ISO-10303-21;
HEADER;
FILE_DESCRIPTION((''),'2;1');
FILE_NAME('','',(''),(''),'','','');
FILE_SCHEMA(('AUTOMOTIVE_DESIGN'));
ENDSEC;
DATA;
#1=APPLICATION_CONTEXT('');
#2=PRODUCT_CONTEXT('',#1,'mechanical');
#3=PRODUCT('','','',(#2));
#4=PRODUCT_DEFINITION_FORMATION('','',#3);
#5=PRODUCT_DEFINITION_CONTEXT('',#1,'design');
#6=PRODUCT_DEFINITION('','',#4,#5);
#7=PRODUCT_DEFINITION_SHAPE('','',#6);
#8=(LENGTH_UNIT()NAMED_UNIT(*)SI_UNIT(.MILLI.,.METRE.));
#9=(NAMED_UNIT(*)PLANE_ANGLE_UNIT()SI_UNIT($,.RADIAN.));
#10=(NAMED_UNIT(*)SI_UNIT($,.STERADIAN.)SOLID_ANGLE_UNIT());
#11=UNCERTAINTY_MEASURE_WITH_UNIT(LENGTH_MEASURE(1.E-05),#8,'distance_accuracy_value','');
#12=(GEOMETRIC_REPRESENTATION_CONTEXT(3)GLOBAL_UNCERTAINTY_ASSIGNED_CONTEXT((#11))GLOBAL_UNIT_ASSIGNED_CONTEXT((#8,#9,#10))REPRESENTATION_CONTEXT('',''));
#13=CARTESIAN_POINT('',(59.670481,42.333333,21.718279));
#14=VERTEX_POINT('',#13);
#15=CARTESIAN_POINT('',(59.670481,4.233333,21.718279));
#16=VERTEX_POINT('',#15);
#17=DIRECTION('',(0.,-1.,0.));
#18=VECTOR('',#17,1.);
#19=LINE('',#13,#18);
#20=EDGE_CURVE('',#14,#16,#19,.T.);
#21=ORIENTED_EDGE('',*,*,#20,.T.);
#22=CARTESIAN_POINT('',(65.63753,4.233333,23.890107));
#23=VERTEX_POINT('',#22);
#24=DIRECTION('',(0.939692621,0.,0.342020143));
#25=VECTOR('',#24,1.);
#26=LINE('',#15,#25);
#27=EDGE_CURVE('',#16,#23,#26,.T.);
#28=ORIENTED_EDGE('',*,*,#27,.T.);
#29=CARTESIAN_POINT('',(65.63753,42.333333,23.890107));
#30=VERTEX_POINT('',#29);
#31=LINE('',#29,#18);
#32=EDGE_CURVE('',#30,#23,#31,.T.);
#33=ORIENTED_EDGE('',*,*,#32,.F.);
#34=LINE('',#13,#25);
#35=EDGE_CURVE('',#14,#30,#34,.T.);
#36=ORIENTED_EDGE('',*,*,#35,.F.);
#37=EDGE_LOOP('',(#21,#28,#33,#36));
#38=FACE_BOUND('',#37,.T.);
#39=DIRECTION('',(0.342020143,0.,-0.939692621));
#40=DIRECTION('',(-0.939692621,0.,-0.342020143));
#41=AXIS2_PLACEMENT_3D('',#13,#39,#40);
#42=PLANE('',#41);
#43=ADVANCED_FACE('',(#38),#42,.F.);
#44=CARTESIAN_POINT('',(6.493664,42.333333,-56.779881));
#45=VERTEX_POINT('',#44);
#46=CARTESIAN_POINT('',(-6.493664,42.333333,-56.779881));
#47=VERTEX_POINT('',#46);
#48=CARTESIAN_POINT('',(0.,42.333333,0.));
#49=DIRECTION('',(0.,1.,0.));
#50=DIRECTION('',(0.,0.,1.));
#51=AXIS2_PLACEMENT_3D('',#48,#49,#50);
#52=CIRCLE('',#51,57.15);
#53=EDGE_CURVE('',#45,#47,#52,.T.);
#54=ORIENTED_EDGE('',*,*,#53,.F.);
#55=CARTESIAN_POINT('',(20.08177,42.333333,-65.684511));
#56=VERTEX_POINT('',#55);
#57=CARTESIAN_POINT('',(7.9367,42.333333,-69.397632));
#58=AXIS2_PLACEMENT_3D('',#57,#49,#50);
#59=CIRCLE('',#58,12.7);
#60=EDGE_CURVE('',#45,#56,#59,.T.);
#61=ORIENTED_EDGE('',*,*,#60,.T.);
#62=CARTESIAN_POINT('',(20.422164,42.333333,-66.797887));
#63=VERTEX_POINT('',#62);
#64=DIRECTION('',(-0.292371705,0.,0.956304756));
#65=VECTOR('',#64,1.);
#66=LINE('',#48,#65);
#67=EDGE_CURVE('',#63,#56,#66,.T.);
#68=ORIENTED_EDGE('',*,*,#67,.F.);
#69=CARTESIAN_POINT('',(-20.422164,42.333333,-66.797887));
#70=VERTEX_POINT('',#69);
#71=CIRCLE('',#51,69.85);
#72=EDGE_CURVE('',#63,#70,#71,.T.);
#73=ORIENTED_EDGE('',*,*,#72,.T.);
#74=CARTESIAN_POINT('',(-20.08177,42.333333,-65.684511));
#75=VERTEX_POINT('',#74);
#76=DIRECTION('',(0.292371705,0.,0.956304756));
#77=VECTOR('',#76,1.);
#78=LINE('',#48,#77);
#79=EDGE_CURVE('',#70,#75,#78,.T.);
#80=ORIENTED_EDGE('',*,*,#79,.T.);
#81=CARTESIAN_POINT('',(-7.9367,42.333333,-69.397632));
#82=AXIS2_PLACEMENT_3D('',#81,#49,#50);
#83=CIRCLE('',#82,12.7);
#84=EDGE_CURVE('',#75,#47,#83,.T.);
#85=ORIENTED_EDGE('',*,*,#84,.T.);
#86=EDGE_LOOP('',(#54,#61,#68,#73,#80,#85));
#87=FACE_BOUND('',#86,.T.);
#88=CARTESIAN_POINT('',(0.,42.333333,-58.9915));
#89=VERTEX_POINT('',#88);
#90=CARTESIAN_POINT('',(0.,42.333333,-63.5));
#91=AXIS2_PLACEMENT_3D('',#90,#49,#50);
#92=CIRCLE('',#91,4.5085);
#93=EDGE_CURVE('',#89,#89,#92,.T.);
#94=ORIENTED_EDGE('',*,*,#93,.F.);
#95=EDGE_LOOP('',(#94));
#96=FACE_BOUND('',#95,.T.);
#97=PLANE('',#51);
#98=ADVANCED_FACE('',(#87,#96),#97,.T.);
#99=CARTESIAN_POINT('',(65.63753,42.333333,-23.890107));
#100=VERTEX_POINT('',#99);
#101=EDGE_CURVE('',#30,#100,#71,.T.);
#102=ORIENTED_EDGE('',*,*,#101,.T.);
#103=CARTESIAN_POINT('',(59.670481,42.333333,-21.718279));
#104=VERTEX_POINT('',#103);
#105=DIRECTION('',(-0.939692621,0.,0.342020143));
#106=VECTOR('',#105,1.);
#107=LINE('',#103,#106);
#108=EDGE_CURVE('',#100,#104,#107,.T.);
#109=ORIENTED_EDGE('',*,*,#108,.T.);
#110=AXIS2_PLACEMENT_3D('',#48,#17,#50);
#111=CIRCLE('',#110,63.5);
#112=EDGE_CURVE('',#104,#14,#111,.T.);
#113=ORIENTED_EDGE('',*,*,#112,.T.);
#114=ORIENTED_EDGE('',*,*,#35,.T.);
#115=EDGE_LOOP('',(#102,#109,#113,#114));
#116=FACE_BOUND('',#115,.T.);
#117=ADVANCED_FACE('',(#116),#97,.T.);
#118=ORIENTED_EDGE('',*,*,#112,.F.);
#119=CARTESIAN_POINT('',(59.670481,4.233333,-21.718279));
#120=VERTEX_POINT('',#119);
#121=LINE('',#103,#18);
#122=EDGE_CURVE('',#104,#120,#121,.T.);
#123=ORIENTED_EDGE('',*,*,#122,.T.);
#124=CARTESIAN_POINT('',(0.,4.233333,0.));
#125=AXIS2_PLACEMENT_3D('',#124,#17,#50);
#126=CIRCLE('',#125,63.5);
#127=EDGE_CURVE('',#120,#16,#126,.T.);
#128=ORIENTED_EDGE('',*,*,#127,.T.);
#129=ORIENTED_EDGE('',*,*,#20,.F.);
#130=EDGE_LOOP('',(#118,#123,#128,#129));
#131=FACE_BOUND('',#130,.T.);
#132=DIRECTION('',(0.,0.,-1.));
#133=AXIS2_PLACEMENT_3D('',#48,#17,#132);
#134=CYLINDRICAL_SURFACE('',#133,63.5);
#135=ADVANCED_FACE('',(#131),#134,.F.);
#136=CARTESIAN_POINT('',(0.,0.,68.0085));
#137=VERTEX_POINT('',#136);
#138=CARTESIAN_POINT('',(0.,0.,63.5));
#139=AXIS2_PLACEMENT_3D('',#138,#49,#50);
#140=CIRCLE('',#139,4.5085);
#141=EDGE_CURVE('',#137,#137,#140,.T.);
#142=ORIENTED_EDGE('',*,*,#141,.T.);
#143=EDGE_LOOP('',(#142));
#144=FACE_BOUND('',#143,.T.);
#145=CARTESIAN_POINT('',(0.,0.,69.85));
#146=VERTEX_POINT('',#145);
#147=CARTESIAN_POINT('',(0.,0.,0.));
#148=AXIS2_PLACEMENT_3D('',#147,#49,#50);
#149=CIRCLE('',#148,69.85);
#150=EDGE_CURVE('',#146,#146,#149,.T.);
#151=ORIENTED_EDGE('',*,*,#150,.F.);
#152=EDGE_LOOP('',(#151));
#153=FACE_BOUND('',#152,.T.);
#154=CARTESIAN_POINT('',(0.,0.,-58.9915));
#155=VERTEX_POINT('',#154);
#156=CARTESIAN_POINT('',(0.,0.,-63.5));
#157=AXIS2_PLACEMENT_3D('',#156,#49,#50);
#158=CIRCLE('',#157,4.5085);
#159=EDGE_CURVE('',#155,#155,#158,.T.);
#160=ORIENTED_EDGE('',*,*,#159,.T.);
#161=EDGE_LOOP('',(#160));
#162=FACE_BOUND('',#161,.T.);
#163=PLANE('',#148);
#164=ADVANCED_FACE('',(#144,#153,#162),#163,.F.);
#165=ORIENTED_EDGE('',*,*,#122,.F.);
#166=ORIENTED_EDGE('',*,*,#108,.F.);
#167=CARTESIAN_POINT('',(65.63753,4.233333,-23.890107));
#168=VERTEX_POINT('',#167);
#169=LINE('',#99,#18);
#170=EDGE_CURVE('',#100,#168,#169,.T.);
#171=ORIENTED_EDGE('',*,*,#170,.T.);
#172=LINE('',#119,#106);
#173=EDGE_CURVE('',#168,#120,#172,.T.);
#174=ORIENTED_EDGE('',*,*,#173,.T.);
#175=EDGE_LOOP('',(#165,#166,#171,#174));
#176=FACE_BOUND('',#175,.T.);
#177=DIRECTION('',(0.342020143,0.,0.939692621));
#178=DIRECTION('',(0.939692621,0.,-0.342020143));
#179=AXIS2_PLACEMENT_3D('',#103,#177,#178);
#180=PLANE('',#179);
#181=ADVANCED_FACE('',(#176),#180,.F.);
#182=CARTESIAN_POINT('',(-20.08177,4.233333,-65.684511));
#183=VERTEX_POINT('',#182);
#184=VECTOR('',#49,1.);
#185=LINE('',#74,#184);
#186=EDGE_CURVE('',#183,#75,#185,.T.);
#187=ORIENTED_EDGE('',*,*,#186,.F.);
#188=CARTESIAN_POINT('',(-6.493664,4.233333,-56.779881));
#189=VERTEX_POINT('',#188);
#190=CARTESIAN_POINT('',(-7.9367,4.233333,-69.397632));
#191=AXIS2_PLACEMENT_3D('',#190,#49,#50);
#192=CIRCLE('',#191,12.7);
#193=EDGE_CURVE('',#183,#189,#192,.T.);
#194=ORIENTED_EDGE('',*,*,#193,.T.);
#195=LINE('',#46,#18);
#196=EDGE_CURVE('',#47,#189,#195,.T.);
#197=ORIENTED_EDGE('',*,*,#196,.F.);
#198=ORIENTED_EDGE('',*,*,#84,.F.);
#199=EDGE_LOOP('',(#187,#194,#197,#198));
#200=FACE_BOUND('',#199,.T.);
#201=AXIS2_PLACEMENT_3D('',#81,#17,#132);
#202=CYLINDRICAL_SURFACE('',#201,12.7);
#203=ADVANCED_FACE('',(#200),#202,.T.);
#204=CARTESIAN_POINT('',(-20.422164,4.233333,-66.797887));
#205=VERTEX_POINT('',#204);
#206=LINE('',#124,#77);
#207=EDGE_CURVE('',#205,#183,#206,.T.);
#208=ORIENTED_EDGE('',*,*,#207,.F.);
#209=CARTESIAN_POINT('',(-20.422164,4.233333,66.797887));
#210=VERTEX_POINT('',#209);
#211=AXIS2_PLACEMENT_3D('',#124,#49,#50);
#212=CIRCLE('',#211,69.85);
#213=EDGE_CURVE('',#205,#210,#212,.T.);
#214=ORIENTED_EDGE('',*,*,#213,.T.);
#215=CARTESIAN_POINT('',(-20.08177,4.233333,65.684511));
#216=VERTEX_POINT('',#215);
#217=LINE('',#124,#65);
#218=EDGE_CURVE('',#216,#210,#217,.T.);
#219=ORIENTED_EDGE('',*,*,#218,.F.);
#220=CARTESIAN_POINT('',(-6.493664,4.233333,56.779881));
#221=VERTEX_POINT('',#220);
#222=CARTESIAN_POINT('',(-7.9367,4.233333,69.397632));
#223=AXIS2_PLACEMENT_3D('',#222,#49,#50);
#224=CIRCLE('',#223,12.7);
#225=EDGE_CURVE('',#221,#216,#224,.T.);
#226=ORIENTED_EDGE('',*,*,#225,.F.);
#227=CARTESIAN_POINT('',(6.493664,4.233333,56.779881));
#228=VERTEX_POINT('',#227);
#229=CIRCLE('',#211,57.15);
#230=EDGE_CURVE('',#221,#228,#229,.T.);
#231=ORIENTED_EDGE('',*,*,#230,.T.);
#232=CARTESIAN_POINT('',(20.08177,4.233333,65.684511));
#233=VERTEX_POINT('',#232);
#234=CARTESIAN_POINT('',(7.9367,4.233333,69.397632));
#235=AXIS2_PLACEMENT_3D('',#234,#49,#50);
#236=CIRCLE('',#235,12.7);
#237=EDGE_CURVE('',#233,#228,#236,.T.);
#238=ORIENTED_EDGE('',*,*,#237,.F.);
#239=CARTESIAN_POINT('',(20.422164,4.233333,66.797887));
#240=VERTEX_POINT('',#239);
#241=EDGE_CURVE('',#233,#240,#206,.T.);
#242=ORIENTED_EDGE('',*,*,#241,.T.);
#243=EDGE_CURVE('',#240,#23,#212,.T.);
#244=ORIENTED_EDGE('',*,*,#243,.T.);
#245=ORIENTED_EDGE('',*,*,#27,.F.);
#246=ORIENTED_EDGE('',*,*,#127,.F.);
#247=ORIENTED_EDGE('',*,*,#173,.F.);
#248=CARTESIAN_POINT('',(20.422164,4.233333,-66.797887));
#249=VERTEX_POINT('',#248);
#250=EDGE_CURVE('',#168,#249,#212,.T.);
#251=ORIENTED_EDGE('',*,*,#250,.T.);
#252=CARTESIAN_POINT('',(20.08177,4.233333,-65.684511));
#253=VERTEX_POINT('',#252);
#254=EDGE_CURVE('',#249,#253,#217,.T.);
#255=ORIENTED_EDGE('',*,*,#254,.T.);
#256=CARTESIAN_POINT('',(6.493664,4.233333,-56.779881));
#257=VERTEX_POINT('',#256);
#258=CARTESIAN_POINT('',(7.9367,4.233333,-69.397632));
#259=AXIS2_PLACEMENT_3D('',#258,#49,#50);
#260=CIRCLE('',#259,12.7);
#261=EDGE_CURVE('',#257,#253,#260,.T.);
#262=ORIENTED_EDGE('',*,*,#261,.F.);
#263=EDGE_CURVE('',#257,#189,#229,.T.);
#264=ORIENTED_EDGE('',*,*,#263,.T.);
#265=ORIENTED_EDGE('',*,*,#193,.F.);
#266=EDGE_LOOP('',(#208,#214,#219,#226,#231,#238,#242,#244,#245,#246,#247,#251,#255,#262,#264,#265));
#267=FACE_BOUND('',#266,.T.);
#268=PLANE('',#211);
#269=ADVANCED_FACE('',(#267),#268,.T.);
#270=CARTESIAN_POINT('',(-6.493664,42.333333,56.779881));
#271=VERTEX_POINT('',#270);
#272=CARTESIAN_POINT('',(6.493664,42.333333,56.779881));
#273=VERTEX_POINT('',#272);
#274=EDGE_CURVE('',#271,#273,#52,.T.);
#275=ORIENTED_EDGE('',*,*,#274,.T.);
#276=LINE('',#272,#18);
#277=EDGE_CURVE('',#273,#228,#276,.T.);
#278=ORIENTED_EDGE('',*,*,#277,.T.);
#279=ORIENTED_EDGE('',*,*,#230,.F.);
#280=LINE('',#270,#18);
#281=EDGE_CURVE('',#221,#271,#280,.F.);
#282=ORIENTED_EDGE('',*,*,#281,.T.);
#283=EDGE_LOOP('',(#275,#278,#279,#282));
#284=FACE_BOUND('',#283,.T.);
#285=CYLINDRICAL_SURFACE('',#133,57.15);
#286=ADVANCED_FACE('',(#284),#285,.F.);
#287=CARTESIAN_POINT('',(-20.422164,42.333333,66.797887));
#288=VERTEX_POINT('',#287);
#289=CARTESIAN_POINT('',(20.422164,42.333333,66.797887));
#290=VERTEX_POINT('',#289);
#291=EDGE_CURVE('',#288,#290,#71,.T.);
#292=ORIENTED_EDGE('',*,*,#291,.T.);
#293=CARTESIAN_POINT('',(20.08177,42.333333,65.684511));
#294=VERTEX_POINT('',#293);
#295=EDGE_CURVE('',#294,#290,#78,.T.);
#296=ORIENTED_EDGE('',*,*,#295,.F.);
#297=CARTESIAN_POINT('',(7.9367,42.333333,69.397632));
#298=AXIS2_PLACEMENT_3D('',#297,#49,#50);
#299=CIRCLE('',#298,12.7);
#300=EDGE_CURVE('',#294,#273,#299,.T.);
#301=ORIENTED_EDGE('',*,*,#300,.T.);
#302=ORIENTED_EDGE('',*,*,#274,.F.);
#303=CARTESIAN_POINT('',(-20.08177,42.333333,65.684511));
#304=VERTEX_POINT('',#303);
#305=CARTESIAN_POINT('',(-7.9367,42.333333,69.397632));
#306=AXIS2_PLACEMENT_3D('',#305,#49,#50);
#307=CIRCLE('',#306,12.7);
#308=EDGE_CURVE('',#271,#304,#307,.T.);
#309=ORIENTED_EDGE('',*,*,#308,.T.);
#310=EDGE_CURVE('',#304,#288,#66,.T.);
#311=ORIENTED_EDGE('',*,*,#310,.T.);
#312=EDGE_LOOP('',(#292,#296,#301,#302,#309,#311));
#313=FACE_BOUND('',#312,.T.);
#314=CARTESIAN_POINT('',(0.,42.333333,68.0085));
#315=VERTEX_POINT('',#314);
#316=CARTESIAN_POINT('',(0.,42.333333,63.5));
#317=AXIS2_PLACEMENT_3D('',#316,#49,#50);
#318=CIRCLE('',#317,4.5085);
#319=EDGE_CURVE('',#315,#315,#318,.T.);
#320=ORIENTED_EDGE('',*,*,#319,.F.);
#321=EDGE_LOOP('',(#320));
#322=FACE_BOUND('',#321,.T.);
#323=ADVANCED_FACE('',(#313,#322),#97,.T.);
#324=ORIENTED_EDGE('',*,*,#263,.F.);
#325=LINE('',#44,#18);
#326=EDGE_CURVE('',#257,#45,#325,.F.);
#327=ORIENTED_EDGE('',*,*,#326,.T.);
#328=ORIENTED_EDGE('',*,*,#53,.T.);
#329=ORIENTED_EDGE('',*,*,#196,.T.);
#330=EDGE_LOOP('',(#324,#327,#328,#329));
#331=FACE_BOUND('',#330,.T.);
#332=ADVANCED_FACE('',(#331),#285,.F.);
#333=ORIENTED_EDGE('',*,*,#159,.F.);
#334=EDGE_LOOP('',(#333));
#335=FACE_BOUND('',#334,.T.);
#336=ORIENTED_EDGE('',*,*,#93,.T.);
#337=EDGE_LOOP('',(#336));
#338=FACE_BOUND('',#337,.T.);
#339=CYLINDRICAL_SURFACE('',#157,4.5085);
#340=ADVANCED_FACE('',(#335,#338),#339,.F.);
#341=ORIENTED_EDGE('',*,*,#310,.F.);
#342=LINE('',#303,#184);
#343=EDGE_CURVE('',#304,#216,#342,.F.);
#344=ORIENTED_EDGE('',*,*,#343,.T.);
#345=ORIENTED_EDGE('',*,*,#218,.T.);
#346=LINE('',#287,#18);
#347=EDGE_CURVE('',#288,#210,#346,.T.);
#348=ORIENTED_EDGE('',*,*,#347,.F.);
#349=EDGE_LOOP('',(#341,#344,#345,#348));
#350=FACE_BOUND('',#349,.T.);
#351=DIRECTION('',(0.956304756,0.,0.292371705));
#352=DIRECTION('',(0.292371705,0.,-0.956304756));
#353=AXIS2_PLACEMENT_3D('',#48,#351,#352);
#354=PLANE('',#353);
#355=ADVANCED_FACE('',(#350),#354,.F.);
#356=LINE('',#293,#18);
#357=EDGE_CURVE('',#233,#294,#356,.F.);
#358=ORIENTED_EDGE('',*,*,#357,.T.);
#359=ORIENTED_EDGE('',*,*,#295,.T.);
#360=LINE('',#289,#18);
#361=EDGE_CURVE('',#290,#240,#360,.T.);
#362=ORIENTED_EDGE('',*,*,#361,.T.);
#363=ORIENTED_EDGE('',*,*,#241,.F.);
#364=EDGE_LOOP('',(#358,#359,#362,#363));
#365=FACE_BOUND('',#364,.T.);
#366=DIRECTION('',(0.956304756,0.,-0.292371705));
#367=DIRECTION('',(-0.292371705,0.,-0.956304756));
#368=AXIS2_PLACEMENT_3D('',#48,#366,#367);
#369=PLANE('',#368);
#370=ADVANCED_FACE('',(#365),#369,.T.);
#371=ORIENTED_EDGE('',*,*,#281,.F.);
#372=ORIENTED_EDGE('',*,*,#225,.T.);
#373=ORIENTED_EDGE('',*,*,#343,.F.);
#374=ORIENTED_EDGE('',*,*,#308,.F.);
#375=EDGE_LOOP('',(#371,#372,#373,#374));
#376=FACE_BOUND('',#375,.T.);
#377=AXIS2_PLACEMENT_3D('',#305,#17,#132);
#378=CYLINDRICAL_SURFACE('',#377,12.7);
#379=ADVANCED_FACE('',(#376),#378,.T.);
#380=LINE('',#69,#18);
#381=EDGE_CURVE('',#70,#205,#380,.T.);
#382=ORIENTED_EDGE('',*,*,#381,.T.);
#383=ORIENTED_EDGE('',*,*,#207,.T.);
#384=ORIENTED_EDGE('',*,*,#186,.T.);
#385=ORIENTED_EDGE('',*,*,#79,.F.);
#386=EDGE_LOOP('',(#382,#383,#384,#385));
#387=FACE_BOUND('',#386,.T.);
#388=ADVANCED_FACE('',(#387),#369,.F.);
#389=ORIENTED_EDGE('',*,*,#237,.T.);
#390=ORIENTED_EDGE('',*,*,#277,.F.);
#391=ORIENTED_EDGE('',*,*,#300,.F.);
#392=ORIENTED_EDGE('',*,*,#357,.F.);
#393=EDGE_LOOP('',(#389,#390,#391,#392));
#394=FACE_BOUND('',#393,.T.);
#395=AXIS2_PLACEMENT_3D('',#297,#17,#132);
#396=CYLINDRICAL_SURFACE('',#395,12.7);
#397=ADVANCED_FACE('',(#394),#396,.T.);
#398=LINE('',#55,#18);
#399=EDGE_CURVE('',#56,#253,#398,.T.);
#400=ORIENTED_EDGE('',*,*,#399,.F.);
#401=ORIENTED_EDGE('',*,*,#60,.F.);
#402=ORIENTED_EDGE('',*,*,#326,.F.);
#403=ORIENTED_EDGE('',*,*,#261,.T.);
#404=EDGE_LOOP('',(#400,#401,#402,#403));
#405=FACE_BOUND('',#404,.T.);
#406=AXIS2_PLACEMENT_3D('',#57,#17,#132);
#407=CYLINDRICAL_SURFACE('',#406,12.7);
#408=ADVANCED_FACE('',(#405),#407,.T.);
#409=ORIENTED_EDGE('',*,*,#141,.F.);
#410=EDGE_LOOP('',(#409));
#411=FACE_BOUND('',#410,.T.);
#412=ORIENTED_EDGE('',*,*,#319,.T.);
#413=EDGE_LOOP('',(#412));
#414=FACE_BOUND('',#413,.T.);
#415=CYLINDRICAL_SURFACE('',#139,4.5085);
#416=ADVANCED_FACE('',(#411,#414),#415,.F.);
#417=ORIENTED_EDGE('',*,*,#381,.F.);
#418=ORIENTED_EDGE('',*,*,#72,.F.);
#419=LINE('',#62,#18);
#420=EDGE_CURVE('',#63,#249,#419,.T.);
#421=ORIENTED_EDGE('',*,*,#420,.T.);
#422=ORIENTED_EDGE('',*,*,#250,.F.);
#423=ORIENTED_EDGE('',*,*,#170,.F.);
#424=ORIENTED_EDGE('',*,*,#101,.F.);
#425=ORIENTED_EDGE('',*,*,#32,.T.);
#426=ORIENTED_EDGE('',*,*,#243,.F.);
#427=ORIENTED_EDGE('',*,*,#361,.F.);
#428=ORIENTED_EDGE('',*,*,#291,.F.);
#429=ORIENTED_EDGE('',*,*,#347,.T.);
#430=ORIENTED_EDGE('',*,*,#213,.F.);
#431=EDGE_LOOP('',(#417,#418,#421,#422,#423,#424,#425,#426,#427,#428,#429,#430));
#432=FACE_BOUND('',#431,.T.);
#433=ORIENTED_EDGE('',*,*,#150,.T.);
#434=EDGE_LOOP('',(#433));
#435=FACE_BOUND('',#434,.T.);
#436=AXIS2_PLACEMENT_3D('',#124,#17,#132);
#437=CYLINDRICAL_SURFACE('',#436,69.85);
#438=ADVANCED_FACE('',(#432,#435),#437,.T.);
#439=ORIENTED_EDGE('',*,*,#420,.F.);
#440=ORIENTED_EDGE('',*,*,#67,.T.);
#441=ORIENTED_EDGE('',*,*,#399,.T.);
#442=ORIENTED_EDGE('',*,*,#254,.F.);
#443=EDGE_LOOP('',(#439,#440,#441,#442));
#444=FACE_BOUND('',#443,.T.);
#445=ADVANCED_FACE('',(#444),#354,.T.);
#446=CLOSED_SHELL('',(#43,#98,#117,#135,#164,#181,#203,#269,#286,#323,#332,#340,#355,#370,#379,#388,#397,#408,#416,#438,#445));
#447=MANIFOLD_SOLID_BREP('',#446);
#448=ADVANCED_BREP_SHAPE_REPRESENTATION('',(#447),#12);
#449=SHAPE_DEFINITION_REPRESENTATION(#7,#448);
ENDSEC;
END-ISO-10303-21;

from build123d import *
from build123d.topology import SkipClean

# Parameters (mm, degrees)
SKETCH2_R               = 69.85
BOSS_EXTRUDE1_DEPTH     = 4.233333
BOSS_EXTRUDE2_DEPTH     = 38.1
FILLET3_R               = 12.7
FILLET4_R               = 12.7
FILLET5_R               = 12.7
BOSS_EXTRUDE3_DEPTH     = 38.1
CUT_EXTRUDE1_DEPTH      = 108.471653
CUT_EXTRUDE1_DEPTH_BACK = 108.471653
SKETCH5_R               = 4.5085
FILLET6_R               = 12.7


with BuildPart() as part:
    # Sketch2 → Boss-Extrude1 (new body)
    with BuildSketch(Plane(origin=(0, 0, 0), x_dir=(1, 0, 0), z_dir=(0, 1, 0))):
        with Locations(Location((0, 0, 0), (0, 0, 270))):
            Circle(SKETCH2_R)
    extrude(amount=BOSS_EXTRUDE1_DEPTH)

    # Sketch3 → Boss-Extrude2 (add)
    with BuildSketch(Plane(origin=(0, 4.233333, 0), x_dir=(1, 0, 0), z_dir=(0, 1, 0))):
        with BuildLine():
            Line((-16.709043, -54.652817), (-20.422164, -66.797887))
            ThreePointArc((-20.422164, -66.797887), (0, -69.85), (20.422164, -66.797887))
            Line((20.422164, -66.797887), (16.709043, -54.652817))
            ThreePointArc((16.709043, -54.652817), (0, -57.15), (-16.709043, -54.652817))
        make_face()
        with BuildLine():
            ThreePointArc((20.422164, 66.797887), (0, 69.85), (-20.422164, 66.797887))
            Line((-20.422164, 66.797887), (-16.709043, 54.652817))
            ThreePointArc((-16.709043, 54.652817), (0, 57.15), (16.709043, 54.652817))
            Line((16.709043, 54.652817), (20.422164, 66.797887))
        make_face()
    extrude(amount=BOSS_EXTRUDE2_DEPTH)

    # Fillet3
    fillet3_edges = [part.edges().sort_by_distance(p)[0] for p in [
        (-16.709043, 23.283333, -54.652817),
    ]]
    fillet(fillet3_edges, radius=FILLET3_R)

    # Fillet4
    fillet4_edges = [part.edges().sort_by_distance(p)[0] for p in [
        (16.709043, 23.283333, 54.652817),
    ]]
    fillet(fillet4_edges, radius=FILLET4_R)

    # Fillet5
    fillet5_edges = [part.edges().sort_by_distance(p)[0] for p in [
        (-16.709043, 23.283333, 54.652817),
    ]]
    fillet(fillet5_edges, radius=FILLET5_R)

    # Sketch4 → Boss-Extrude3 (add)
    with SkipClean():  # the faces are left unmerged after this step: merging them gives an invalid solid
        with BuildSketch(Plane(origin=(0, 4.233333, 0), x_dir=(1, 0, 0), z_dir=(0, 1, 0))):
            with BuildLine():
                Line((59.670481, 21.718279), (65.63753, 23.890107))
                ThreePointArc((65.63753, 23.890107), (69.85, 0), (65.63753, -23.890107))
                Line((65.63753, -23.890107), (59.670481, -21.718279))
                ThreePointArc((59.670481, -21.718279), (63.5, 0), (59.670481, 21.718279))
            make_face()
        extrude(amount=BOSS_EXTRUDE3_DEPTH)

    # Sketch5 → Cut-Extrude1 (cut, two sides: drawn at the far end of the back side and taken through both)
    with SkipClean():  # the faces are left unmerged after this step: merging them gives an invalid solid
        with BuildSketch(Plane(origin=(0, 42.333333, 0), x_dir=(1, 0, 0), z_dir=(0, 1, 0)).offset(-CUT_EXTRUDE1_DEPTH_BACK)):
            with Locations(Location((0, 63.5, 0), (0, 0, 270))):
                Circle(SKETCH5_R)
            with Locations(Location((0, -63.5, 0), (0, 0, 270))):
                Circle(SKETCH5_R)
        extrude(amount=CUT_EXTRUDE1_DEPTH + CUT_EXTRUDE1_DEPTH_BACK, mode=Mode.SUBTRACT)

    # Fillet6
    fillet6_edges = [part.edges().sort_by_distance(p)[0] for p in [
        (16.709043, 23.283333, -54.652817),
    ]]
    fillet(fillet6_edges, radius=FILLET6_R)


solid = part.part
